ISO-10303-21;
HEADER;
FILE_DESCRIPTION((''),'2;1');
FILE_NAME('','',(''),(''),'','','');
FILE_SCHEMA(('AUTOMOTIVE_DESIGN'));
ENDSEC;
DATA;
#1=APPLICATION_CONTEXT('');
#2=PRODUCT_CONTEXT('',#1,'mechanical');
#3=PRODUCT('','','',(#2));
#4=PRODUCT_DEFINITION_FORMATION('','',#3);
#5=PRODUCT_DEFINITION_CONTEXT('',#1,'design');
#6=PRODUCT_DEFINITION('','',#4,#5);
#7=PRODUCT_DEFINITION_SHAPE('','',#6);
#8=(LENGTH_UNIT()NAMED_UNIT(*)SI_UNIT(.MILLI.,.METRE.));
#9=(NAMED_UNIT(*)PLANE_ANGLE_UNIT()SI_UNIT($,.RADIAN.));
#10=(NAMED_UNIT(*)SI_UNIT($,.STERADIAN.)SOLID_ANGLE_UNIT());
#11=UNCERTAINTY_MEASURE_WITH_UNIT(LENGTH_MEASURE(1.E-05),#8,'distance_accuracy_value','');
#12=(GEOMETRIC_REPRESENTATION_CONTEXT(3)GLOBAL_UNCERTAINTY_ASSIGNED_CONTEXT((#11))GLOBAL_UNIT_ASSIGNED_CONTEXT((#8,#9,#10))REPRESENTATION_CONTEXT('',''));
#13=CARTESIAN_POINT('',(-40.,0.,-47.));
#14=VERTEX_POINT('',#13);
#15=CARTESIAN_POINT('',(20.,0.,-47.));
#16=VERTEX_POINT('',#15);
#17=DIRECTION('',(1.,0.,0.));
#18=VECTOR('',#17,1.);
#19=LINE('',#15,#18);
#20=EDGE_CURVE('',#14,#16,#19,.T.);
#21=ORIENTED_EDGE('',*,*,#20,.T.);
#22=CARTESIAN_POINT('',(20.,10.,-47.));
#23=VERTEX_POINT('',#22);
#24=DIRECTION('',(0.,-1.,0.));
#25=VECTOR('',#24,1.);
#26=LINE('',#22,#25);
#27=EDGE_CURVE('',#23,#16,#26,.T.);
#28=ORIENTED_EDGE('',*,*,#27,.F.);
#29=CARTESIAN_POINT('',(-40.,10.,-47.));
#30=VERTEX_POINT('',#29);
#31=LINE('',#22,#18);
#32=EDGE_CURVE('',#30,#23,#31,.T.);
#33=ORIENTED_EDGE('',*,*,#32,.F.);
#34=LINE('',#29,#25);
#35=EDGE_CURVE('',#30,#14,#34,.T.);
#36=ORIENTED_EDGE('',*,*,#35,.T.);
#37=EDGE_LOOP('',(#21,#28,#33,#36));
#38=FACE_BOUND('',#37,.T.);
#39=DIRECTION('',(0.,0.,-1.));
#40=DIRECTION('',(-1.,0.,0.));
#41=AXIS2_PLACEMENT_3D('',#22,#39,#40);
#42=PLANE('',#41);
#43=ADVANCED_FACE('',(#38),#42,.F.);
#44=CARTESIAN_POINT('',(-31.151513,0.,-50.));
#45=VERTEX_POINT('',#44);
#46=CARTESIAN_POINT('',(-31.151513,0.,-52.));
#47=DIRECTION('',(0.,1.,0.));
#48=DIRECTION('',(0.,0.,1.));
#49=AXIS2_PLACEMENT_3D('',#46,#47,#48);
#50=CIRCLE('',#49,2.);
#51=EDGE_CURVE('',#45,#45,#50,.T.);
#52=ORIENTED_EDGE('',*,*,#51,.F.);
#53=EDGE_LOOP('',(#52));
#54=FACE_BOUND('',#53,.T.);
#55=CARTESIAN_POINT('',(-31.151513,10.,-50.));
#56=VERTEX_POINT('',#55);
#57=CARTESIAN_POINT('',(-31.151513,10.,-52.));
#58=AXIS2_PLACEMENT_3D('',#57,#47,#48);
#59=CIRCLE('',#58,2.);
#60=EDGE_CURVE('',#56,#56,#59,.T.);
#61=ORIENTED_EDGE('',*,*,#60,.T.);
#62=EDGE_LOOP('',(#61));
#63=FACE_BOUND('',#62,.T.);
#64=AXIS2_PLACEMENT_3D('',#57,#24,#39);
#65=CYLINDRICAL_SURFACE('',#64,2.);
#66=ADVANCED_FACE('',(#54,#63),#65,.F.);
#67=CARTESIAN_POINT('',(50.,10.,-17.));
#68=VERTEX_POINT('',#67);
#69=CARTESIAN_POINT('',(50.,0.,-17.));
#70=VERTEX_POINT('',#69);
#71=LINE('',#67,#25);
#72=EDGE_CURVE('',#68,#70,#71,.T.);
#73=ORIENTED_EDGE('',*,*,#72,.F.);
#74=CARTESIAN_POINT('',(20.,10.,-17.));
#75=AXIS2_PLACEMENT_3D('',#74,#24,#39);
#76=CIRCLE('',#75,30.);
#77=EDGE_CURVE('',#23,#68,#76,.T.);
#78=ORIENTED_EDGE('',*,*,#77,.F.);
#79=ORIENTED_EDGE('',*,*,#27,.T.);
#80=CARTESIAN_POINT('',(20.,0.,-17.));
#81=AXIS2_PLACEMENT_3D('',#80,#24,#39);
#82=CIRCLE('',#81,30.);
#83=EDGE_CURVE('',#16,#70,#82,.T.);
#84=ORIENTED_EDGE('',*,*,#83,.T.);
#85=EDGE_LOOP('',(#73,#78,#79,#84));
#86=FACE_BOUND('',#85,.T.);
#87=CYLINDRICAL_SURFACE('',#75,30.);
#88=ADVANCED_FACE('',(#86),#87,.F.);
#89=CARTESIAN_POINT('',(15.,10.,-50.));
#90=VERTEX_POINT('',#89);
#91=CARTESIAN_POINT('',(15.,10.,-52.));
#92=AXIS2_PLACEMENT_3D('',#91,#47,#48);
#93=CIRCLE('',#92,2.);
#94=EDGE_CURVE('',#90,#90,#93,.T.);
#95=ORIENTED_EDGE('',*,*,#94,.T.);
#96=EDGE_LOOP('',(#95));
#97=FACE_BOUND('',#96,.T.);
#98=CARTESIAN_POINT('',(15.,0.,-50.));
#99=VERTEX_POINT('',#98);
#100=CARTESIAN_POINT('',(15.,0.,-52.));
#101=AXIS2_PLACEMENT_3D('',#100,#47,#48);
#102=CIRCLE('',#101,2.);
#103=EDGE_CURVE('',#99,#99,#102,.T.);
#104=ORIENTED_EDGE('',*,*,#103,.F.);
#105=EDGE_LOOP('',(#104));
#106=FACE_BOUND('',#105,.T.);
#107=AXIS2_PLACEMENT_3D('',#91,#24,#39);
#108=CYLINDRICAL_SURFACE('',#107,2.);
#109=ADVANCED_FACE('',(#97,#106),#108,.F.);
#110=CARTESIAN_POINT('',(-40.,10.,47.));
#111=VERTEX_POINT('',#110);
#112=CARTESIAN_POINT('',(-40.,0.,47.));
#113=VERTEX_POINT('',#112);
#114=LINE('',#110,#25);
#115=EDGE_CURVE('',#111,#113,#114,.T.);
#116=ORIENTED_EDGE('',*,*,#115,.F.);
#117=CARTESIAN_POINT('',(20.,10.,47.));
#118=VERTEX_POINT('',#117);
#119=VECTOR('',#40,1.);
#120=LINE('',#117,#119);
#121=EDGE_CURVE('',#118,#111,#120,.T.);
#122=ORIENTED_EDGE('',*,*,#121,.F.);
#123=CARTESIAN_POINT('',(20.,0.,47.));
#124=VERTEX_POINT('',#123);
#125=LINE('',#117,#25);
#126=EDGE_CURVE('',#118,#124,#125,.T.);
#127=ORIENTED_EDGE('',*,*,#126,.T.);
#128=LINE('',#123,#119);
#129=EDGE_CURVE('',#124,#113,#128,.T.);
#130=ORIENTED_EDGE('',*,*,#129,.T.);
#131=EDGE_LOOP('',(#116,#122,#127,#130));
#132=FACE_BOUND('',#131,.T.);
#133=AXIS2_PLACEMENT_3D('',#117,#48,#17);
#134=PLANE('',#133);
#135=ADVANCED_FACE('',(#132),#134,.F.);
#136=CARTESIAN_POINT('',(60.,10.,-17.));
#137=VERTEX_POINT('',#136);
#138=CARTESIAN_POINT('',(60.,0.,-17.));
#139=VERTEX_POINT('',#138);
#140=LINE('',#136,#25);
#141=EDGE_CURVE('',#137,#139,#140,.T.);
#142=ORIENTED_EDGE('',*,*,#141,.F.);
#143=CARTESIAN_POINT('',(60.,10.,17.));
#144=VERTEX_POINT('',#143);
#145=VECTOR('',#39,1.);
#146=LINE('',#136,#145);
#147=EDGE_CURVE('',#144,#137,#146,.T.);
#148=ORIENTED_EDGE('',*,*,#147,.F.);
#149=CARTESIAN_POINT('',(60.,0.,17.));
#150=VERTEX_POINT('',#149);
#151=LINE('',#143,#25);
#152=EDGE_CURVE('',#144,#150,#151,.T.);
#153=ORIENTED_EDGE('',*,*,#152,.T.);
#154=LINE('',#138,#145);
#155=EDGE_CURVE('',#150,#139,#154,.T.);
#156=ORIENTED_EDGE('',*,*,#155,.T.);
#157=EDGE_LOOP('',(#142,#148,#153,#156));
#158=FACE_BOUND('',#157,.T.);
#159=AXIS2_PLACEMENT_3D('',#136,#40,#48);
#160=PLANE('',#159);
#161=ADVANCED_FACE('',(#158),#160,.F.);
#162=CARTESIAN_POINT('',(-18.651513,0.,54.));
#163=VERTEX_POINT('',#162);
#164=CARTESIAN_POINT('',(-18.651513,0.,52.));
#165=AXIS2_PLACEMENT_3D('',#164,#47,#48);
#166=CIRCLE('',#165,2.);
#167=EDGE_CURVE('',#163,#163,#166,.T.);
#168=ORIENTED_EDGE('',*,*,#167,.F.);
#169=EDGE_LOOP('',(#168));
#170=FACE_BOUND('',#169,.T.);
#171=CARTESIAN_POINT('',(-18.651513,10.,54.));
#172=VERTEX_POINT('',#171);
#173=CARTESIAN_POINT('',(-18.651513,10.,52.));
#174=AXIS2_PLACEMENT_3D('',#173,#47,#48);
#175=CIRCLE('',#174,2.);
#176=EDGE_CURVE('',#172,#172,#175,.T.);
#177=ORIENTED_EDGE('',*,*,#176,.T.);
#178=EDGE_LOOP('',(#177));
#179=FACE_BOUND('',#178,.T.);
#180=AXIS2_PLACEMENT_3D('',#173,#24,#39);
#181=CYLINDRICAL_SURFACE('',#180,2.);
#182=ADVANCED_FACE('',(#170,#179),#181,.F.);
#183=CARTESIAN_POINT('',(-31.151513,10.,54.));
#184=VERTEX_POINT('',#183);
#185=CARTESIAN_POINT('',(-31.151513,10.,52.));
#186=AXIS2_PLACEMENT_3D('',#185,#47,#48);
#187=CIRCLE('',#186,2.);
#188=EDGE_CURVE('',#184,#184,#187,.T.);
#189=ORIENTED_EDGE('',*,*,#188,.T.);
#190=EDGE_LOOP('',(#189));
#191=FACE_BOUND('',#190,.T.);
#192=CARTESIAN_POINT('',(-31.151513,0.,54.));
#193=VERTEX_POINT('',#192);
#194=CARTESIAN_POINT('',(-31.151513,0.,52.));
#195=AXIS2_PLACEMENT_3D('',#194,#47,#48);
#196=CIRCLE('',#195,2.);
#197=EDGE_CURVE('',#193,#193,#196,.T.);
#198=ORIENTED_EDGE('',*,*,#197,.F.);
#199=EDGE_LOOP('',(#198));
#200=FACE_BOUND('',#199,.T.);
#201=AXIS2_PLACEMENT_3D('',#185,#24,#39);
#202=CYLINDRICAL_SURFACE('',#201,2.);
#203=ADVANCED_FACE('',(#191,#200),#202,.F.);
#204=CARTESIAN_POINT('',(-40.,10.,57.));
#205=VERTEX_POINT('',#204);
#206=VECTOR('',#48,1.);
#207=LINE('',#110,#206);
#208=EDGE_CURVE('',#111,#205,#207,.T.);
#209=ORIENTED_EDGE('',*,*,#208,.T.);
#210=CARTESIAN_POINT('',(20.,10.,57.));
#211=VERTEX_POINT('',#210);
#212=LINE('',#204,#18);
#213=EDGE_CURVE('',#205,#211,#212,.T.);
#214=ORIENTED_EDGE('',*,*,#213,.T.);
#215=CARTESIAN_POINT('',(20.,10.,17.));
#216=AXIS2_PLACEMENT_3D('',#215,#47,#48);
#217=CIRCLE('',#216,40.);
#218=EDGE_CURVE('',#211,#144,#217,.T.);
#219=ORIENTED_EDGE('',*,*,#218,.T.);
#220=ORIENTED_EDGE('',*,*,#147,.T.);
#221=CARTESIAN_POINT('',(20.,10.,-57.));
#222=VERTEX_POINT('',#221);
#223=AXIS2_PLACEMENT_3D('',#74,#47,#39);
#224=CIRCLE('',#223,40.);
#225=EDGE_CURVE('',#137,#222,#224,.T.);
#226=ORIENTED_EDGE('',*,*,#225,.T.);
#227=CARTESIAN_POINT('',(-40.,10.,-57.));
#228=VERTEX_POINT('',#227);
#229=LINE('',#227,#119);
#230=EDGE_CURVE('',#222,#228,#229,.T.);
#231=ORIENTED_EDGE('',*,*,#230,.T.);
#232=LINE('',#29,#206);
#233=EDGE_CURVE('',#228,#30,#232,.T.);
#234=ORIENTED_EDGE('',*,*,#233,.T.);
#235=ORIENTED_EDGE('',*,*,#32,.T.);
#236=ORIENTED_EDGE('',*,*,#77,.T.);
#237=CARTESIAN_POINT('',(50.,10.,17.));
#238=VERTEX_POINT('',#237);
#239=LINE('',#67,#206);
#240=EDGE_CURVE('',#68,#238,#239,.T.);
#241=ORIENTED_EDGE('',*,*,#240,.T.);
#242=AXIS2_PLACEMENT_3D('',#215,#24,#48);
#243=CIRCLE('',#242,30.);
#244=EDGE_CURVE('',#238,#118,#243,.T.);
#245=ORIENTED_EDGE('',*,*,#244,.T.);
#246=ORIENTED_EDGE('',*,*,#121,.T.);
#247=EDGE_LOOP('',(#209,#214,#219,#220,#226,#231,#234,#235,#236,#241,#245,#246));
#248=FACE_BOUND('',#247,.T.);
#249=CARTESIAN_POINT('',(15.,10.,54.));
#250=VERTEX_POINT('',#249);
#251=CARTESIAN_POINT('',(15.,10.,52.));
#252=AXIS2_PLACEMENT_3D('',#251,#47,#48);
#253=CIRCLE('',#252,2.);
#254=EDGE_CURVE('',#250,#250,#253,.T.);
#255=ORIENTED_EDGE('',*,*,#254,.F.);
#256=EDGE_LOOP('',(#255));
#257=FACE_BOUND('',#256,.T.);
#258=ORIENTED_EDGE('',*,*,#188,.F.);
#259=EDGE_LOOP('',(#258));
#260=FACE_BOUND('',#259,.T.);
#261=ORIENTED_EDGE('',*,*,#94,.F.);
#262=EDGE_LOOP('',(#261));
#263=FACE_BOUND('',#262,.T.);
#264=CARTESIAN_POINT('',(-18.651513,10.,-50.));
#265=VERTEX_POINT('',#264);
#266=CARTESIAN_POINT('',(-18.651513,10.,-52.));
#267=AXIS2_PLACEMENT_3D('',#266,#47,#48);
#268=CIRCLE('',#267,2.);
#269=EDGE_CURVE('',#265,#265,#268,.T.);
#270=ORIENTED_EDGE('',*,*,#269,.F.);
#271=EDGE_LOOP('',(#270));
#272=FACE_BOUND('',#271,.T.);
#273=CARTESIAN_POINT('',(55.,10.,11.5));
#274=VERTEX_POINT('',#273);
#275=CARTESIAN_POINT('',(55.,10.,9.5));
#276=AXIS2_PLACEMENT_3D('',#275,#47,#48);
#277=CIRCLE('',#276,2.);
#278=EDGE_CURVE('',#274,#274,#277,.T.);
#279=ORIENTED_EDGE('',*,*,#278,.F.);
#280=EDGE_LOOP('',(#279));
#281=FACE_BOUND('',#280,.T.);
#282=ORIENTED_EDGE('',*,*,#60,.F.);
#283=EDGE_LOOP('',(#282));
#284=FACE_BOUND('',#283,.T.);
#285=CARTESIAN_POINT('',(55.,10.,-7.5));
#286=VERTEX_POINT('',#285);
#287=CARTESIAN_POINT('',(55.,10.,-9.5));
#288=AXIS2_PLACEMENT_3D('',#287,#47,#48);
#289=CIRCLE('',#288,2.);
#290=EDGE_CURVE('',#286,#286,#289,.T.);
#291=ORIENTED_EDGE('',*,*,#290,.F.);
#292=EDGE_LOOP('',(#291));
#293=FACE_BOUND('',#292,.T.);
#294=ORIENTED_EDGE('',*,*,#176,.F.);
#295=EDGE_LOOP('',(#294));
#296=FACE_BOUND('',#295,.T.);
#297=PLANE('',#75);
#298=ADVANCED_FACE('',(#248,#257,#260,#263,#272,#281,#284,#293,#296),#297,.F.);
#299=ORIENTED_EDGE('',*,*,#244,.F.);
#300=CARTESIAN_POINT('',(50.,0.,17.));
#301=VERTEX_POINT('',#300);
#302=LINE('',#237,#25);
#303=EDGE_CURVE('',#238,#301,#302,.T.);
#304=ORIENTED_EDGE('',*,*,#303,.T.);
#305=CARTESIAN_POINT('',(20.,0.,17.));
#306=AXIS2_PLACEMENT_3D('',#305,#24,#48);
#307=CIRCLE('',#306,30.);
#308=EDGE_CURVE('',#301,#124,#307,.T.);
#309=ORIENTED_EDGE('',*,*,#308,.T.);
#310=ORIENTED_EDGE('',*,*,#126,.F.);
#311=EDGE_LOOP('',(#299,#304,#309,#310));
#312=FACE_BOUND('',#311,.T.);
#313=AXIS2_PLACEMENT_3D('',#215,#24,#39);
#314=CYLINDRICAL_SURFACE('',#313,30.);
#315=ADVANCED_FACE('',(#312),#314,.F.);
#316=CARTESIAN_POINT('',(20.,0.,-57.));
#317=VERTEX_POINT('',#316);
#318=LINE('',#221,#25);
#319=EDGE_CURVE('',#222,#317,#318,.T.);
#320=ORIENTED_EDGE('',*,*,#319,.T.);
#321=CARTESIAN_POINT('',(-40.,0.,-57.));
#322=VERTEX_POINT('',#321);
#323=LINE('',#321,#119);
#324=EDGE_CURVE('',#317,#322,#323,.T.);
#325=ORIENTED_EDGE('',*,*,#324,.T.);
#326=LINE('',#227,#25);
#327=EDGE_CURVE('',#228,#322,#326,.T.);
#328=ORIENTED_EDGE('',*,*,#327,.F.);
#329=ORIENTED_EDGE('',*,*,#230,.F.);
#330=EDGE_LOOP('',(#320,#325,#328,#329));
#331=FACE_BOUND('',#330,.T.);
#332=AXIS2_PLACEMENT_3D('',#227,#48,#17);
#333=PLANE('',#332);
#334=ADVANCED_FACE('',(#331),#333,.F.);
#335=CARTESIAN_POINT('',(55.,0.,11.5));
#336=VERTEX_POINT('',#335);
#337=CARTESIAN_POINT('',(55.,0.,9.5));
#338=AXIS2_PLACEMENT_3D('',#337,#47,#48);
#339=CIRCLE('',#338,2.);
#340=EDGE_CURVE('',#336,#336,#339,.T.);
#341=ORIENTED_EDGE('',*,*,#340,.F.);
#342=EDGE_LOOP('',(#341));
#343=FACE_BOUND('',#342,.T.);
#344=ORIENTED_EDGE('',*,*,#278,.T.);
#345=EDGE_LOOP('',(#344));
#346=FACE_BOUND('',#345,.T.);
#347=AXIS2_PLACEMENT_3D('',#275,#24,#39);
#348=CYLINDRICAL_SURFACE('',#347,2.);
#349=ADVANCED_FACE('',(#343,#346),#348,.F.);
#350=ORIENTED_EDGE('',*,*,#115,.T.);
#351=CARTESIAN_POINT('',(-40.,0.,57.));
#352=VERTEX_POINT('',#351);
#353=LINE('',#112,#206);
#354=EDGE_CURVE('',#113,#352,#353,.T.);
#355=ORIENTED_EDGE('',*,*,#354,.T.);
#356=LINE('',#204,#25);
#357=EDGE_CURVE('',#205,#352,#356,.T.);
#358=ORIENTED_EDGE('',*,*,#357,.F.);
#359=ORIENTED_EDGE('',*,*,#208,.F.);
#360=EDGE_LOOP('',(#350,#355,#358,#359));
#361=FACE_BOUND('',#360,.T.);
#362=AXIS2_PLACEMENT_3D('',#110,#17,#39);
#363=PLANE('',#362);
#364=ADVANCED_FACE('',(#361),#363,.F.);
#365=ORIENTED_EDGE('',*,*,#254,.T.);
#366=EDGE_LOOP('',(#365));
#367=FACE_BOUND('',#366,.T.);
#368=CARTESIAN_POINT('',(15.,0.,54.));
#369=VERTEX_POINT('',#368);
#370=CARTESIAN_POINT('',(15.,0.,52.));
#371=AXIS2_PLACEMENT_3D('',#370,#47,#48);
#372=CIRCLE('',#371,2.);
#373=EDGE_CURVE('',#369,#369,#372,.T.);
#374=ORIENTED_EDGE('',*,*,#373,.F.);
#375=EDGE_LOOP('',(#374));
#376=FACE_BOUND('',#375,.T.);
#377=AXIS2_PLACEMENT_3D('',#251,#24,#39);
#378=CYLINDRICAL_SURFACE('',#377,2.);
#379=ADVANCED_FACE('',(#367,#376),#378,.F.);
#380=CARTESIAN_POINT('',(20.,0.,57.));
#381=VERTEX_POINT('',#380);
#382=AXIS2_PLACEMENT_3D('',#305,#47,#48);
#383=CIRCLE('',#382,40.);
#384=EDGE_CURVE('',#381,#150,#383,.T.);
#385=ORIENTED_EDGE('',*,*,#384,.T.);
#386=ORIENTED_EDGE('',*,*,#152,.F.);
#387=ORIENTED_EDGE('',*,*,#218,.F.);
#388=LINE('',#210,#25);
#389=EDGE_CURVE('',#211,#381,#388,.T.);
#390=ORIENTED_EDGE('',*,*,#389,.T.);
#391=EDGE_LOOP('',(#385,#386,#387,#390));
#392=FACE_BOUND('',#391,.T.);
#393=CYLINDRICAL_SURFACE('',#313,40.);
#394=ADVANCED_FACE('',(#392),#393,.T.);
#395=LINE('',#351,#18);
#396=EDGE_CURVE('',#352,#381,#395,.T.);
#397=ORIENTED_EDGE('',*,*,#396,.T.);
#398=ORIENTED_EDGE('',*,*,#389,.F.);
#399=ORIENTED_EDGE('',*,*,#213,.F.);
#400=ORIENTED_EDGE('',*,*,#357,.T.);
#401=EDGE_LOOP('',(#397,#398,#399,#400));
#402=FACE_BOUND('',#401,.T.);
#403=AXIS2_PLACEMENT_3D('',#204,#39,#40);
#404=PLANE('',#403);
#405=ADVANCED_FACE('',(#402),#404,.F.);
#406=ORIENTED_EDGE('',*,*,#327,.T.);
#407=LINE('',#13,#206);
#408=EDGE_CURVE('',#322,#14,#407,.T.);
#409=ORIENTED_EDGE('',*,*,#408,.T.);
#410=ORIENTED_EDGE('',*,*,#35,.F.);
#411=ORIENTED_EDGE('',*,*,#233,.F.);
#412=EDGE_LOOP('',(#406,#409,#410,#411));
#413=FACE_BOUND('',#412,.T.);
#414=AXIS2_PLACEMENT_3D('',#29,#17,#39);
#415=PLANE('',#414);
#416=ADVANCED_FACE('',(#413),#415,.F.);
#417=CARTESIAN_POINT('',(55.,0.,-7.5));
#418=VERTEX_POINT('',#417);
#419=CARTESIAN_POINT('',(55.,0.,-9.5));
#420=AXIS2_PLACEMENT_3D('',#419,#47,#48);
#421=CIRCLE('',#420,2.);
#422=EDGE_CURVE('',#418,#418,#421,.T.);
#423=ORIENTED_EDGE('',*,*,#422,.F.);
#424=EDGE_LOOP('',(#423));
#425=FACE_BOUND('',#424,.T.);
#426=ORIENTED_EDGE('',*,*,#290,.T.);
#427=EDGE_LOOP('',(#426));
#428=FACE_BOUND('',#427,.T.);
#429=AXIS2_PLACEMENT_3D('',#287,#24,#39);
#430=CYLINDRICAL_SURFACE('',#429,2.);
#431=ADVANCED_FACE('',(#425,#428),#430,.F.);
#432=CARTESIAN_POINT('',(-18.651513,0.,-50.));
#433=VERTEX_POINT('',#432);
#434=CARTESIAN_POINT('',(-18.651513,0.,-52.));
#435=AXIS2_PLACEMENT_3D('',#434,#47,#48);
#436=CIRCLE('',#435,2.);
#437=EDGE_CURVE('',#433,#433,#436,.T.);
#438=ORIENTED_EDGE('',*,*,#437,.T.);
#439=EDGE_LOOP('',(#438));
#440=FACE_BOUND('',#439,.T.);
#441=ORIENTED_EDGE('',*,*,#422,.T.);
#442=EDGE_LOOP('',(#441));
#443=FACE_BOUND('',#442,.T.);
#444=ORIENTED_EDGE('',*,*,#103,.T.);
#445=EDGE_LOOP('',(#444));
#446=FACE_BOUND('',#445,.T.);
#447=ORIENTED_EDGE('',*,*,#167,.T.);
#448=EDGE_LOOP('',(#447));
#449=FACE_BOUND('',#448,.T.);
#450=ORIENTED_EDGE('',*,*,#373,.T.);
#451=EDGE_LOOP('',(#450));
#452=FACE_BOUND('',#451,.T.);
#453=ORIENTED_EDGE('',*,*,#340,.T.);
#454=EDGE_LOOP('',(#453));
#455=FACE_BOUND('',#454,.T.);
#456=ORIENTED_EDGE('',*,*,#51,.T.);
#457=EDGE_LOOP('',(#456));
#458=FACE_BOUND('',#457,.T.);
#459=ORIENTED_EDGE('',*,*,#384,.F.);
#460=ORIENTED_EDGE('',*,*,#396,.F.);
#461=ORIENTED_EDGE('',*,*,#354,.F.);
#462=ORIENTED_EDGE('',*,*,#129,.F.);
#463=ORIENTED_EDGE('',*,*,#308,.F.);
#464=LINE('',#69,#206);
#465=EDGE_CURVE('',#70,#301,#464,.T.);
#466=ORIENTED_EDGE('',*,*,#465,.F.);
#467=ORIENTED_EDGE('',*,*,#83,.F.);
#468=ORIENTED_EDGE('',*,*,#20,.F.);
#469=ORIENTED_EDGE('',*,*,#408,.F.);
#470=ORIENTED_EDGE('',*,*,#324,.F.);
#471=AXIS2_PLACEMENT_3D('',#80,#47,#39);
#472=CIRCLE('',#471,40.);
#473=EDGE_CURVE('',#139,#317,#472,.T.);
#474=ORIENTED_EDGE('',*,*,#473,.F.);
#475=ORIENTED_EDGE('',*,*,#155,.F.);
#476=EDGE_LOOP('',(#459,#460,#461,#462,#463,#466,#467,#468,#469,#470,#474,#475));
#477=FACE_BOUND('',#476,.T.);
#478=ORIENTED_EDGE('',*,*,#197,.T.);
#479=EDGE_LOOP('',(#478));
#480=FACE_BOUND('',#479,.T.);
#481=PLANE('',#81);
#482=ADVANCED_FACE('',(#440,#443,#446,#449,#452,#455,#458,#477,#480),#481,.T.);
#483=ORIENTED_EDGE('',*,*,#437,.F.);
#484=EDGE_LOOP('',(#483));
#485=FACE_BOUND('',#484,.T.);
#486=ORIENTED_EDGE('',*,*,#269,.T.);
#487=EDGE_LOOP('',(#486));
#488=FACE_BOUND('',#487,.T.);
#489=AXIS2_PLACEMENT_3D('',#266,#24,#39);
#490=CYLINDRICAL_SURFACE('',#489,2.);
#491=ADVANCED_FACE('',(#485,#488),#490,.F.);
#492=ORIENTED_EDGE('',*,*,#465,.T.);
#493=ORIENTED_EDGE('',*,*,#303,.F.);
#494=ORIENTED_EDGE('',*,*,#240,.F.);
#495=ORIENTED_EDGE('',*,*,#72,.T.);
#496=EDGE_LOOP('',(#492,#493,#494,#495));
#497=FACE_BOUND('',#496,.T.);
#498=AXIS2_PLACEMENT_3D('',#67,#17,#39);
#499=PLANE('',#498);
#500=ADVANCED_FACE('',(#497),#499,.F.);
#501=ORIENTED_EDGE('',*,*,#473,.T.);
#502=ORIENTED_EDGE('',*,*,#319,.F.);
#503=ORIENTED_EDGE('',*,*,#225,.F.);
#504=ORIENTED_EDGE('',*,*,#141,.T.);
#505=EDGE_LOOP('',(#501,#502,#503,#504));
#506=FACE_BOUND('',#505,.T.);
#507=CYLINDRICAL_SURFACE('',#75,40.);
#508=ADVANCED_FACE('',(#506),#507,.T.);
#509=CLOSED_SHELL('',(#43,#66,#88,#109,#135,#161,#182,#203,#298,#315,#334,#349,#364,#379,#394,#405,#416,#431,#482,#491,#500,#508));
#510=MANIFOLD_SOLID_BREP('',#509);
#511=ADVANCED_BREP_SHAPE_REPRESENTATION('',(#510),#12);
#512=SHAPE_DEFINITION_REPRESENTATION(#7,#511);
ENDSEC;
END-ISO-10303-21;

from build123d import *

# Parameters (mm, degrees)
SKETCH1_R           = 2
BOSS_EXTRUDE1_DEPTH = 10


with BuildPart() as part:
    # Sketch1 → Boss-Extrude1 (new body)
    with BuildSketch(Plane(origin=(0, 0, 0), x_dir=(1, 0, 0), z_dir=(0, 1, 0))):
        with BuildLine():
            Line((20, -47), (-40, -47))
            Line((-40, -47), (-40, -57))
            Line((-40, -57), (20, -57))
            ThreePointArc((20, -57), (48.284271247, -45.284271247), (60, -17))
            Line((60, -17), (60, 17))
            ThreePointArc((60, 17), (48.284271247, 45.284271247), (20, 57))
            Line((20, 57), (-40, 57))
            Line((-40, 57), (-40, 47))
            Line((-40, 47), (20, 47))
            ThreePointArc((20, 47), (41.213203436, 38.213203436), (50, 17))
            Line((50, 17), (50, -17))
            ThreePointArc((50, -17), (41.213203436, -38.213203436), (20, -47))
        make_face()
        with Locations(Location((55, 9.5, 0), (0, 0, 270))):
            Circle(SKETCH1_R, mode=Mode.SUBTRACT)
        with Locations(Location((55, -9.5, 0), (0, 0, 270))):
            Circle(SKETCH1_R, mode=Mode.SUBTRACT)
        with Locations(Location((15, 52, 0), (0, 0, 270))):
            Circle(SKETCH1_R, mode=Mode.SUBTRACT)
        with Locations(Location((15, -52, 0), (0, 0, 270))):
            Circle(SKETCH1_R, mode=Mode.SUBTRACT)
        with Locations(Location((-18.651513194, 52, 0), (0, 0, 270))):
            Circle(SKETCH1_R, mode=Mode.SUBTRACT)
        with Locations(Location((-31.151513194, 52, 0), (0, 0, 270))):
            Circle(SKETCH1_R, mode=Mode.SUBTRACT)
        with Locations(Location((-18.651513194, -52, 0), (0, 0, 270))):
            Circle(SKETCH1_R, mode=Mode.SUBTRACT)
        with Locations(Location((-31.151513194, -52, 0), (0, 0, 270))):
            Circle(SKETCH1_R, mode=Mode.SUBTRACT)
    extrude(amount=BOSS_EXTRUDE1_DEPTH)


solid = part.part
